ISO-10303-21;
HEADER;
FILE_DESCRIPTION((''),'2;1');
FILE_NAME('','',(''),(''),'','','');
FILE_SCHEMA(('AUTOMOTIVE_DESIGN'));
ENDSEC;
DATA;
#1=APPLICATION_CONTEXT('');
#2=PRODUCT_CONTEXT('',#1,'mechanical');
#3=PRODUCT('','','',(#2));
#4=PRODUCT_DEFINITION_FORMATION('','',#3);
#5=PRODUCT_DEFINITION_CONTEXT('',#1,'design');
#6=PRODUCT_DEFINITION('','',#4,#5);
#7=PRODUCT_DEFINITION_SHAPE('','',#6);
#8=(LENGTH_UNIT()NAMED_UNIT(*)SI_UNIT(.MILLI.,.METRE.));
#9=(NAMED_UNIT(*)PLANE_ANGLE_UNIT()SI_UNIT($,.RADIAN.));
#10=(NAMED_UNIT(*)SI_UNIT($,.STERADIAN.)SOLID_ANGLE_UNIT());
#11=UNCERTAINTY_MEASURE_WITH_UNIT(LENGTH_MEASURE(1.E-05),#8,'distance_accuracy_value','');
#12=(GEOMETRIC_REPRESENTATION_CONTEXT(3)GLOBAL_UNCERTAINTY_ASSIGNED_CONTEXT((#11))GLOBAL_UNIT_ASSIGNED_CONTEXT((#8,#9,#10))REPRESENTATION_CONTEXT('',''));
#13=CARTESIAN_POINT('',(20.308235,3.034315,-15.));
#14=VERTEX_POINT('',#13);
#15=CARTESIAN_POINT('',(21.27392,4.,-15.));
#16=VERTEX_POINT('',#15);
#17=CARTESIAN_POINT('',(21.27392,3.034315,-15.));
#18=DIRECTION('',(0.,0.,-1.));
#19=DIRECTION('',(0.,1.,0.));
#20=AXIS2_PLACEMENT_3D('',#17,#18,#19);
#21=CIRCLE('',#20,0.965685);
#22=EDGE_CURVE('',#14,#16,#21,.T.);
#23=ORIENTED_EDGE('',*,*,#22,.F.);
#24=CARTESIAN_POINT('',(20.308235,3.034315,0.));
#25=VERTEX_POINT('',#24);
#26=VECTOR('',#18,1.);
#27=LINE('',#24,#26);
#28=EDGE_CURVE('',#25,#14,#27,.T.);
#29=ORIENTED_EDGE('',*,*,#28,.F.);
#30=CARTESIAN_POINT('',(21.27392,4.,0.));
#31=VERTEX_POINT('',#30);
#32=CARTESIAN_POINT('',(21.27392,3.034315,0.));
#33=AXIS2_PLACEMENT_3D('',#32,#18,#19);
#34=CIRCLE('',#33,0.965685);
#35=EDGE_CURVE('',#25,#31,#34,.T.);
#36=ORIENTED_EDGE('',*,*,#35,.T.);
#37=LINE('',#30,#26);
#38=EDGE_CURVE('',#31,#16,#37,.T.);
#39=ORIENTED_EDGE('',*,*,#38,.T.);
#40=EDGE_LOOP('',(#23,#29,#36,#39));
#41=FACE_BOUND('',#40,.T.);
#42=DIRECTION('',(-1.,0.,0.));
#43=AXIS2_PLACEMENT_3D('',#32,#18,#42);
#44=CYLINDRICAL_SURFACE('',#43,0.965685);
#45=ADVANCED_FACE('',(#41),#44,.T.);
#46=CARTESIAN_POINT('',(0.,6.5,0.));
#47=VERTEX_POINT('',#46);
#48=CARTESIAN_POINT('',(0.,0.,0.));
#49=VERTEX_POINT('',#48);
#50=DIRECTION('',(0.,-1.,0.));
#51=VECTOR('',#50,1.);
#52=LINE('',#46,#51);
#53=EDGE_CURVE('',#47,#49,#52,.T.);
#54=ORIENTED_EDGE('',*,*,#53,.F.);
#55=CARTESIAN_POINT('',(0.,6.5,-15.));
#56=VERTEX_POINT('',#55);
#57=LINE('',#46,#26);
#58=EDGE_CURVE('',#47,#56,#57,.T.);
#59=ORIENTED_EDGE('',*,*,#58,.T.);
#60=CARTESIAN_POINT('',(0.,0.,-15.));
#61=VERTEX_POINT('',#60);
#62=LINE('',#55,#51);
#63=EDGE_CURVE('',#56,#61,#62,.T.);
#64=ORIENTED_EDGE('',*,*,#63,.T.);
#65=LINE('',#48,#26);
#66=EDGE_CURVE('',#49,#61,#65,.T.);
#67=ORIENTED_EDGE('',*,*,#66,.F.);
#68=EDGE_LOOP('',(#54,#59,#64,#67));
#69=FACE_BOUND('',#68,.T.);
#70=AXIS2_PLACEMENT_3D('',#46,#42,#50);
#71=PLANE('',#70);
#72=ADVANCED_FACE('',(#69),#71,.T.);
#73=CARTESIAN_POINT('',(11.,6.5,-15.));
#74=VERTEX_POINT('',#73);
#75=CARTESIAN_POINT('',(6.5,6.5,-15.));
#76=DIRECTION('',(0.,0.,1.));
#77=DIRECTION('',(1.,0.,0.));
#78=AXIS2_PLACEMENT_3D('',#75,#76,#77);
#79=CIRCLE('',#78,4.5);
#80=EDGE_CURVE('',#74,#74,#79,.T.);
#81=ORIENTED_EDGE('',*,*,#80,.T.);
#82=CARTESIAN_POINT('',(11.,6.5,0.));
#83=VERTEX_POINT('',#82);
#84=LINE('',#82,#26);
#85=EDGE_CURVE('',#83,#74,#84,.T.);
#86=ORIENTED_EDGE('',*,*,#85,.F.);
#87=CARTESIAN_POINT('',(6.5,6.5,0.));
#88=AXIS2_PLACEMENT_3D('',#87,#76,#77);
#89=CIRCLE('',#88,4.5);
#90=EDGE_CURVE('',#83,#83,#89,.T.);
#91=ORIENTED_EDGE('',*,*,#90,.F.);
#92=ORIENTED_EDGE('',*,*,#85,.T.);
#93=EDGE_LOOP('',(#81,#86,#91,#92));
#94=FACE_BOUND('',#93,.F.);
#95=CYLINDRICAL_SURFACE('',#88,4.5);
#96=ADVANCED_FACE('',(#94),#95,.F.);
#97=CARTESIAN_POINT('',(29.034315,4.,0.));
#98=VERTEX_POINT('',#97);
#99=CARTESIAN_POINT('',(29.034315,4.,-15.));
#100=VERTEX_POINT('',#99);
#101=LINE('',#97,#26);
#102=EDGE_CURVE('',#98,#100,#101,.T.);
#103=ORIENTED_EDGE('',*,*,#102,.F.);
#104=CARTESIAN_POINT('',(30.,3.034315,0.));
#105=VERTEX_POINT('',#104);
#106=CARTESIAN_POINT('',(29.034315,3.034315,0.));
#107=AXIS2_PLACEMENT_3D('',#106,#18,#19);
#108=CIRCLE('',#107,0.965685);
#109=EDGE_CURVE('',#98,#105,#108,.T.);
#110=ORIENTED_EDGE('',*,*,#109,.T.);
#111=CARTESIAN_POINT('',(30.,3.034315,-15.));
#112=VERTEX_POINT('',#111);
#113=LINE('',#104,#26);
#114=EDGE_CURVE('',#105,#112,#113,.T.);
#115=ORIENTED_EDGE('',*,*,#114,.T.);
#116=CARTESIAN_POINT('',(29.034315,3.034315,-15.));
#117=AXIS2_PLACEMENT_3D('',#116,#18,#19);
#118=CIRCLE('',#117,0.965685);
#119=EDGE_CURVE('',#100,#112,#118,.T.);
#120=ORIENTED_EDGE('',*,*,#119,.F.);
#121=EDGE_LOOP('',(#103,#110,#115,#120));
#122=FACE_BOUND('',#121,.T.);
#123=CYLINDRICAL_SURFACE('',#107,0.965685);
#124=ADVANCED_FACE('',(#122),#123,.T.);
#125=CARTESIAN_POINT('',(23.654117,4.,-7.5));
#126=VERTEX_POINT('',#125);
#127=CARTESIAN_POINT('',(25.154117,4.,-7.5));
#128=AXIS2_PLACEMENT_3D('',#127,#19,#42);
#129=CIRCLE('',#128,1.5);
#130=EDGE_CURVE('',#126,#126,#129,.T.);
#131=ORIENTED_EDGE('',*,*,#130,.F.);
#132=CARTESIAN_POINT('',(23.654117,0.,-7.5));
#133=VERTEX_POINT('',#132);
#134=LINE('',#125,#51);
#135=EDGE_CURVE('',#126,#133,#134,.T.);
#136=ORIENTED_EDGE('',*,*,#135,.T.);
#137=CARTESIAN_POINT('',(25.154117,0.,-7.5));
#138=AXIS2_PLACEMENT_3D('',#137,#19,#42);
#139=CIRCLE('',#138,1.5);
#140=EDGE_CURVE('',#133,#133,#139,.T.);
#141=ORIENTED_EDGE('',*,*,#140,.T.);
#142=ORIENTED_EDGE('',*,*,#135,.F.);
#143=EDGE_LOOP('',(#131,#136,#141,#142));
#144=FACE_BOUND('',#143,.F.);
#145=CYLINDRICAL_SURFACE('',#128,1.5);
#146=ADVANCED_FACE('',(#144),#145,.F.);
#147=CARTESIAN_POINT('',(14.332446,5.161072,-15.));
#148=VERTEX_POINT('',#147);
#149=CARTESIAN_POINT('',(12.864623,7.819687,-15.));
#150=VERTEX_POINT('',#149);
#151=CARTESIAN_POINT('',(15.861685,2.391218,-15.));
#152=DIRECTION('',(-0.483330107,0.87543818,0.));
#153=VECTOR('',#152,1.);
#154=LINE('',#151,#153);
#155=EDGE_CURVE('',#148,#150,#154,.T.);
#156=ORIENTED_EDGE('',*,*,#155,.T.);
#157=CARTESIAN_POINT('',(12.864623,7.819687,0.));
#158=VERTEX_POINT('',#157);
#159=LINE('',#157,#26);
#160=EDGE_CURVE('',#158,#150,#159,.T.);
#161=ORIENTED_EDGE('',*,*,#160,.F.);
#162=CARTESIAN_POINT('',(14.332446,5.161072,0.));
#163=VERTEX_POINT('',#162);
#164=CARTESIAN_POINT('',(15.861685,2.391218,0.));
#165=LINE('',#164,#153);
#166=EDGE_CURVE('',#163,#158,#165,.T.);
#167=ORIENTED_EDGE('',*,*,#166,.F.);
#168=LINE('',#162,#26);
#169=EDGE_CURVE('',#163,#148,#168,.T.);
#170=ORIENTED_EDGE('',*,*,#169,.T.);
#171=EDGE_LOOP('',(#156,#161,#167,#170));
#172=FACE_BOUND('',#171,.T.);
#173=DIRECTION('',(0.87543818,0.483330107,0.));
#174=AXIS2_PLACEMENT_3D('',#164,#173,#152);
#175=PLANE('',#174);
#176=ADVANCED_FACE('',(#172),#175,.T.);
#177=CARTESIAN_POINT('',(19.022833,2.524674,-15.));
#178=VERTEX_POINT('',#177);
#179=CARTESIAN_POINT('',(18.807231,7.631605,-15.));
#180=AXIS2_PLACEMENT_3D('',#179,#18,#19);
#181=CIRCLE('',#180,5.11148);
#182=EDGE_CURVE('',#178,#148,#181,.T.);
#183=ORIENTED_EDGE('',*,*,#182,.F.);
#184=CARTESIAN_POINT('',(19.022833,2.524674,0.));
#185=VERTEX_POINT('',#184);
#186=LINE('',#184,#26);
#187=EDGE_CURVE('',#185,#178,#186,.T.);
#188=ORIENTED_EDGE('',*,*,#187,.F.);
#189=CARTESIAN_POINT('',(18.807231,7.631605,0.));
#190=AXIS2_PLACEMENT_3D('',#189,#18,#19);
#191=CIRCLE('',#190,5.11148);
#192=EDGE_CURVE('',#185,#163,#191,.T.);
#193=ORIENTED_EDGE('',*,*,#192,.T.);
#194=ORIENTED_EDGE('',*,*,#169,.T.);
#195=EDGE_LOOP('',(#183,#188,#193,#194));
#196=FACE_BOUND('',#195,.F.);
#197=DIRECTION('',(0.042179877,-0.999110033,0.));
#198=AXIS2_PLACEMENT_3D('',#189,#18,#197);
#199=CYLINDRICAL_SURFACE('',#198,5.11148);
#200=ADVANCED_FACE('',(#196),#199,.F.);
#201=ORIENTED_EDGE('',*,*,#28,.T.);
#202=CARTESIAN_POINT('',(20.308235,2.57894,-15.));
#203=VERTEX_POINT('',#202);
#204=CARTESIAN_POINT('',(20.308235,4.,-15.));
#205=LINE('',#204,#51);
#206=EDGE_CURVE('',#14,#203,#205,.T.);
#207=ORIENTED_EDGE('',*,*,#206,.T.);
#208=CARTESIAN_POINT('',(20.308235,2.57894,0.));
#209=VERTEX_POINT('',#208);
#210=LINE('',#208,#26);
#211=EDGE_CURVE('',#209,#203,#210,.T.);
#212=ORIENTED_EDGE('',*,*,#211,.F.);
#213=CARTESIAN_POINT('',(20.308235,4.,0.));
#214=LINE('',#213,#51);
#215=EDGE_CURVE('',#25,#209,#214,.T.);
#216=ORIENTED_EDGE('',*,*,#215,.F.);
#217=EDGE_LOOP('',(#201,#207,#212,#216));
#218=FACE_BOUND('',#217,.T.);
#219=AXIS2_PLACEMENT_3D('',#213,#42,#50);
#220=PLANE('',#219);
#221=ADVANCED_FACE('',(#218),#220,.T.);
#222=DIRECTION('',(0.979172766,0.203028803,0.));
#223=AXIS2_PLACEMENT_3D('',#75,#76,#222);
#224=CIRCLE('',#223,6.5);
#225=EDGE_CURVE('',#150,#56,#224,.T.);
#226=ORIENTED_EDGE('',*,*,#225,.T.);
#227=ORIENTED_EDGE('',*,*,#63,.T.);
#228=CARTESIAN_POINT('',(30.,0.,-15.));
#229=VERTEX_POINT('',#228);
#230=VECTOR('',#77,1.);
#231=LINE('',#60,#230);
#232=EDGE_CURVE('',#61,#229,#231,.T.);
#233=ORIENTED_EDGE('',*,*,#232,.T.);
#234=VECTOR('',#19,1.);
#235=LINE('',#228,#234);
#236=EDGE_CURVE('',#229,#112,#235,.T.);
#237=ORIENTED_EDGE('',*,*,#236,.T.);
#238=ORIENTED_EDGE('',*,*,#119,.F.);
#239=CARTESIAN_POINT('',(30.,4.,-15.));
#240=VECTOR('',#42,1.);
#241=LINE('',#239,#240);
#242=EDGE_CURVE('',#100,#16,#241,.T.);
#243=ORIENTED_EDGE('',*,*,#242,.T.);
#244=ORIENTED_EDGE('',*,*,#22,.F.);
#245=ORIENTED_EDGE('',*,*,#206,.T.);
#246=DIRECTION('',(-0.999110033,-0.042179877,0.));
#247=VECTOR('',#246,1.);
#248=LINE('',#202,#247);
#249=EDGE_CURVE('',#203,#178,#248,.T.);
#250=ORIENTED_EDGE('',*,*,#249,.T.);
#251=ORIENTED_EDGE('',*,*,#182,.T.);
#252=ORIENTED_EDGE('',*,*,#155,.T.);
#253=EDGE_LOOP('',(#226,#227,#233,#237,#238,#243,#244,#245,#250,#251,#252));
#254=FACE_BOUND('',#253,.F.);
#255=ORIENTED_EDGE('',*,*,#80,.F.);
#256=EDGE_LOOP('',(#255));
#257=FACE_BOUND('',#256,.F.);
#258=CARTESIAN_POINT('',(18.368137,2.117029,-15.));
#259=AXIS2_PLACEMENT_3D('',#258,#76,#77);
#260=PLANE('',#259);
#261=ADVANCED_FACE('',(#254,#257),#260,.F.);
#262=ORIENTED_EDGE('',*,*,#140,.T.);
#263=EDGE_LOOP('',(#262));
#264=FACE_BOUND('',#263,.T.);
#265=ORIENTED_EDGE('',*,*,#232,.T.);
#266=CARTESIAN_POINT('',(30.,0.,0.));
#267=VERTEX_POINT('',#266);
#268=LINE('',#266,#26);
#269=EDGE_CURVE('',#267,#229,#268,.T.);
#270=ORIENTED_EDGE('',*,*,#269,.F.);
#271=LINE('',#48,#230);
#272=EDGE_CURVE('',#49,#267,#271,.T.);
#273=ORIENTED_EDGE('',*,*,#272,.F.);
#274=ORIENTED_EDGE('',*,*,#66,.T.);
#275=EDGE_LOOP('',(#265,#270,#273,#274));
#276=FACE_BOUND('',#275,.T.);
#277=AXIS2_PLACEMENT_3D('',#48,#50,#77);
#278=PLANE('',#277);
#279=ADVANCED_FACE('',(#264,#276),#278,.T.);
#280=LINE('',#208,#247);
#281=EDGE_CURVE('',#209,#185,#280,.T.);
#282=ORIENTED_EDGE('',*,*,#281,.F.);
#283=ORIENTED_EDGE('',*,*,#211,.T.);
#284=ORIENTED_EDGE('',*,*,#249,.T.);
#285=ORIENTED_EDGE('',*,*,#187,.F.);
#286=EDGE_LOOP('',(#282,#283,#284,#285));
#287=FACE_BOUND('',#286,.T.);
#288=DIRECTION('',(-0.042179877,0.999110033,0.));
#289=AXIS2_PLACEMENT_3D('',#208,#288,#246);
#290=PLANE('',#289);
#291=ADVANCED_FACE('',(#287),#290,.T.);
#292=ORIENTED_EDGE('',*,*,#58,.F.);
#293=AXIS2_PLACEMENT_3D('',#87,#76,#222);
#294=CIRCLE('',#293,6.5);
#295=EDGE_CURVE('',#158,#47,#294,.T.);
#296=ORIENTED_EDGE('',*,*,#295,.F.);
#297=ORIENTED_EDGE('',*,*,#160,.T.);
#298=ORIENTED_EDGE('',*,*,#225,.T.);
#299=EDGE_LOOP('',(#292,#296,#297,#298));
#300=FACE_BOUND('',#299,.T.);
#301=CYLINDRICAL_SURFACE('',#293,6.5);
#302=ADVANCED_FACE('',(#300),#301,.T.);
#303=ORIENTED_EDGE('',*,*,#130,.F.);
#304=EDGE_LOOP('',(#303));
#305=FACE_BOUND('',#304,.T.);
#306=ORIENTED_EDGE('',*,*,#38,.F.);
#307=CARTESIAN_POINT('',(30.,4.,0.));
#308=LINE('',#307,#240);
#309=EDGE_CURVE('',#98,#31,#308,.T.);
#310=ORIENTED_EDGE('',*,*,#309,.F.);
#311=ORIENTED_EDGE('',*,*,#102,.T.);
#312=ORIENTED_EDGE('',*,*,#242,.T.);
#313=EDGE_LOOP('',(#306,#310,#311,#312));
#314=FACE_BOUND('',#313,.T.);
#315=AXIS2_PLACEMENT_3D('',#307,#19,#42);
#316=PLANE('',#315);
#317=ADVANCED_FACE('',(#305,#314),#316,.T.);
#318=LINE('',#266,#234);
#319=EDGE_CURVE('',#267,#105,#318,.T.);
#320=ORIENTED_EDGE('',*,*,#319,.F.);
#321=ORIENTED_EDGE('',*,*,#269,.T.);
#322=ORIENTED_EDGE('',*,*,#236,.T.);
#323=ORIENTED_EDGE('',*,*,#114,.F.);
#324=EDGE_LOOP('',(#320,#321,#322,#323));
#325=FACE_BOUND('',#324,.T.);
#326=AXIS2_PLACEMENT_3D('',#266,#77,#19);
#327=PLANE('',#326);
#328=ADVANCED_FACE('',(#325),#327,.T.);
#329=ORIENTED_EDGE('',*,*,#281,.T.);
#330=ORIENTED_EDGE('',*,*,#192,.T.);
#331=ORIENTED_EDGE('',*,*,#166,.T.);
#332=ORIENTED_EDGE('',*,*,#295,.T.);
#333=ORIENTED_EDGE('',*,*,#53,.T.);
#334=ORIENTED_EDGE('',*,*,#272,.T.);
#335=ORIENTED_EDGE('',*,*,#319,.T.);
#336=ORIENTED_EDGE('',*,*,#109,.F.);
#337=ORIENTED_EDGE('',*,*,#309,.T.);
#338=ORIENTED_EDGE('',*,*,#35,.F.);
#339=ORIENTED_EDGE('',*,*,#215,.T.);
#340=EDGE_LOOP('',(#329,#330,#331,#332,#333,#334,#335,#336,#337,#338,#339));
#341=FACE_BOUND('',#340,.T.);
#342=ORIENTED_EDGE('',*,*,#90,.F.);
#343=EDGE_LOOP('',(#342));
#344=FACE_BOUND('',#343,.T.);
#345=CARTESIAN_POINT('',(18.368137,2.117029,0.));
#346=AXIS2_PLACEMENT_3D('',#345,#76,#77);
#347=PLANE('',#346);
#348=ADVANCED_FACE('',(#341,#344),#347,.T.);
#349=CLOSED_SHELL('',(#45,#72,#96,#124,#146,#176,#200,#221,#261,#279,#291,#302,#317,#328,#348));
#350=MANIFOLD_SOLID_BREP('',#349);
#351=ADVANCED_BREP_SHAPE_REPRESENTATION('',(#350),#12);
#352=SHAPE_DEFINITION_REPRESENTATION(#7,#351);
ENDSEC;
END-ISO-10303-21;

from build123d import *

# Parameters (mm, degrees)
F0_R     = 4.5
F1_DEPTH = 15
F3_R     = 5.11148
F4_R     = 0.965685
F2_R     = 1.5
F5_DEPTH = 4


with BuildPart() as f1:
    # F0 (on Top) → F1 (new body)
    with BuildSketch(Plane.XY):
        with BuildLine():
            ThreePointArc((13, 6.5), (11.096194, 1.903806), (6.5, 0))
            Line((6.5, 0), (30, 0))
            Line((30, 0), (30, 4))
            Line((30, 4), (20.308235, 4))
            Line((20.308235, 4), (20.308235, 2.57894))
            Line((20.308235, 2.57894), (15.861685, 2.391218))
            Line((15.861685, 2.391218), (12.864623, 7.819687))
            ThreePointArc((12.864623, 7.819687), (12.966067, 7.163306), (13, 6.5))
        make_face()
        with BuildLine():
            ThreePointArc((0, 6.5), (1.903806, 1.903806), (6.5, 0))
            ThreePointArc((6.5, 0), (11.096194, 1.903806), (13, 6.5))
            ThreePointArc((13, 6.5), (12.966067, 7.163306), (12.864623, 7.819687))
            ThreePointArc((12.864623, 7.819687), (5.836694, 12.966067), (0, 6.5))
        make_face()
        with Locations((6.5, 6.5)):
            Circle(F0_R, mode=Mode.SUBTRACT)
        with BuildLine():
            Line((0, 6.5), (0, 0))
            Line((0, 0), (6.5, 0))
            ThreePointArc((6.5, 0), (1.903806, 1.903806), (0, 6.5))
        make_face()
    extrude(amount=-F1_DEPTH)

    # F3
    f3_edges = [f1.edges().sort_by_distance(p)[0] for p in [
        (15.861685, 2.391218, -7.5),
    ]]
    fillet(f3_edges, radius=F3_R)

    # F4
    f4_edges = [f1.edges().sort_by_distance(p)[0] for p in [
        (30, 4, -7.5),
        (20.308235, 4, -7.5),
    ]]
    fillet(f4_edges, radius=F4_R)

    # F2 (on face) → F5 (cut, through all)
    with BuildSketch(Plane(origin=(0, 4, 0), x_dir=(-1, 0, 0), z_dir=(0, 1, 0))):
        with Locations((-25.154117, -7.5)):
            Circle(F2_R)
    extrude(amount=-F5_DEPTH, mode=Mode.SUBTRACT)


solid = f1.part
